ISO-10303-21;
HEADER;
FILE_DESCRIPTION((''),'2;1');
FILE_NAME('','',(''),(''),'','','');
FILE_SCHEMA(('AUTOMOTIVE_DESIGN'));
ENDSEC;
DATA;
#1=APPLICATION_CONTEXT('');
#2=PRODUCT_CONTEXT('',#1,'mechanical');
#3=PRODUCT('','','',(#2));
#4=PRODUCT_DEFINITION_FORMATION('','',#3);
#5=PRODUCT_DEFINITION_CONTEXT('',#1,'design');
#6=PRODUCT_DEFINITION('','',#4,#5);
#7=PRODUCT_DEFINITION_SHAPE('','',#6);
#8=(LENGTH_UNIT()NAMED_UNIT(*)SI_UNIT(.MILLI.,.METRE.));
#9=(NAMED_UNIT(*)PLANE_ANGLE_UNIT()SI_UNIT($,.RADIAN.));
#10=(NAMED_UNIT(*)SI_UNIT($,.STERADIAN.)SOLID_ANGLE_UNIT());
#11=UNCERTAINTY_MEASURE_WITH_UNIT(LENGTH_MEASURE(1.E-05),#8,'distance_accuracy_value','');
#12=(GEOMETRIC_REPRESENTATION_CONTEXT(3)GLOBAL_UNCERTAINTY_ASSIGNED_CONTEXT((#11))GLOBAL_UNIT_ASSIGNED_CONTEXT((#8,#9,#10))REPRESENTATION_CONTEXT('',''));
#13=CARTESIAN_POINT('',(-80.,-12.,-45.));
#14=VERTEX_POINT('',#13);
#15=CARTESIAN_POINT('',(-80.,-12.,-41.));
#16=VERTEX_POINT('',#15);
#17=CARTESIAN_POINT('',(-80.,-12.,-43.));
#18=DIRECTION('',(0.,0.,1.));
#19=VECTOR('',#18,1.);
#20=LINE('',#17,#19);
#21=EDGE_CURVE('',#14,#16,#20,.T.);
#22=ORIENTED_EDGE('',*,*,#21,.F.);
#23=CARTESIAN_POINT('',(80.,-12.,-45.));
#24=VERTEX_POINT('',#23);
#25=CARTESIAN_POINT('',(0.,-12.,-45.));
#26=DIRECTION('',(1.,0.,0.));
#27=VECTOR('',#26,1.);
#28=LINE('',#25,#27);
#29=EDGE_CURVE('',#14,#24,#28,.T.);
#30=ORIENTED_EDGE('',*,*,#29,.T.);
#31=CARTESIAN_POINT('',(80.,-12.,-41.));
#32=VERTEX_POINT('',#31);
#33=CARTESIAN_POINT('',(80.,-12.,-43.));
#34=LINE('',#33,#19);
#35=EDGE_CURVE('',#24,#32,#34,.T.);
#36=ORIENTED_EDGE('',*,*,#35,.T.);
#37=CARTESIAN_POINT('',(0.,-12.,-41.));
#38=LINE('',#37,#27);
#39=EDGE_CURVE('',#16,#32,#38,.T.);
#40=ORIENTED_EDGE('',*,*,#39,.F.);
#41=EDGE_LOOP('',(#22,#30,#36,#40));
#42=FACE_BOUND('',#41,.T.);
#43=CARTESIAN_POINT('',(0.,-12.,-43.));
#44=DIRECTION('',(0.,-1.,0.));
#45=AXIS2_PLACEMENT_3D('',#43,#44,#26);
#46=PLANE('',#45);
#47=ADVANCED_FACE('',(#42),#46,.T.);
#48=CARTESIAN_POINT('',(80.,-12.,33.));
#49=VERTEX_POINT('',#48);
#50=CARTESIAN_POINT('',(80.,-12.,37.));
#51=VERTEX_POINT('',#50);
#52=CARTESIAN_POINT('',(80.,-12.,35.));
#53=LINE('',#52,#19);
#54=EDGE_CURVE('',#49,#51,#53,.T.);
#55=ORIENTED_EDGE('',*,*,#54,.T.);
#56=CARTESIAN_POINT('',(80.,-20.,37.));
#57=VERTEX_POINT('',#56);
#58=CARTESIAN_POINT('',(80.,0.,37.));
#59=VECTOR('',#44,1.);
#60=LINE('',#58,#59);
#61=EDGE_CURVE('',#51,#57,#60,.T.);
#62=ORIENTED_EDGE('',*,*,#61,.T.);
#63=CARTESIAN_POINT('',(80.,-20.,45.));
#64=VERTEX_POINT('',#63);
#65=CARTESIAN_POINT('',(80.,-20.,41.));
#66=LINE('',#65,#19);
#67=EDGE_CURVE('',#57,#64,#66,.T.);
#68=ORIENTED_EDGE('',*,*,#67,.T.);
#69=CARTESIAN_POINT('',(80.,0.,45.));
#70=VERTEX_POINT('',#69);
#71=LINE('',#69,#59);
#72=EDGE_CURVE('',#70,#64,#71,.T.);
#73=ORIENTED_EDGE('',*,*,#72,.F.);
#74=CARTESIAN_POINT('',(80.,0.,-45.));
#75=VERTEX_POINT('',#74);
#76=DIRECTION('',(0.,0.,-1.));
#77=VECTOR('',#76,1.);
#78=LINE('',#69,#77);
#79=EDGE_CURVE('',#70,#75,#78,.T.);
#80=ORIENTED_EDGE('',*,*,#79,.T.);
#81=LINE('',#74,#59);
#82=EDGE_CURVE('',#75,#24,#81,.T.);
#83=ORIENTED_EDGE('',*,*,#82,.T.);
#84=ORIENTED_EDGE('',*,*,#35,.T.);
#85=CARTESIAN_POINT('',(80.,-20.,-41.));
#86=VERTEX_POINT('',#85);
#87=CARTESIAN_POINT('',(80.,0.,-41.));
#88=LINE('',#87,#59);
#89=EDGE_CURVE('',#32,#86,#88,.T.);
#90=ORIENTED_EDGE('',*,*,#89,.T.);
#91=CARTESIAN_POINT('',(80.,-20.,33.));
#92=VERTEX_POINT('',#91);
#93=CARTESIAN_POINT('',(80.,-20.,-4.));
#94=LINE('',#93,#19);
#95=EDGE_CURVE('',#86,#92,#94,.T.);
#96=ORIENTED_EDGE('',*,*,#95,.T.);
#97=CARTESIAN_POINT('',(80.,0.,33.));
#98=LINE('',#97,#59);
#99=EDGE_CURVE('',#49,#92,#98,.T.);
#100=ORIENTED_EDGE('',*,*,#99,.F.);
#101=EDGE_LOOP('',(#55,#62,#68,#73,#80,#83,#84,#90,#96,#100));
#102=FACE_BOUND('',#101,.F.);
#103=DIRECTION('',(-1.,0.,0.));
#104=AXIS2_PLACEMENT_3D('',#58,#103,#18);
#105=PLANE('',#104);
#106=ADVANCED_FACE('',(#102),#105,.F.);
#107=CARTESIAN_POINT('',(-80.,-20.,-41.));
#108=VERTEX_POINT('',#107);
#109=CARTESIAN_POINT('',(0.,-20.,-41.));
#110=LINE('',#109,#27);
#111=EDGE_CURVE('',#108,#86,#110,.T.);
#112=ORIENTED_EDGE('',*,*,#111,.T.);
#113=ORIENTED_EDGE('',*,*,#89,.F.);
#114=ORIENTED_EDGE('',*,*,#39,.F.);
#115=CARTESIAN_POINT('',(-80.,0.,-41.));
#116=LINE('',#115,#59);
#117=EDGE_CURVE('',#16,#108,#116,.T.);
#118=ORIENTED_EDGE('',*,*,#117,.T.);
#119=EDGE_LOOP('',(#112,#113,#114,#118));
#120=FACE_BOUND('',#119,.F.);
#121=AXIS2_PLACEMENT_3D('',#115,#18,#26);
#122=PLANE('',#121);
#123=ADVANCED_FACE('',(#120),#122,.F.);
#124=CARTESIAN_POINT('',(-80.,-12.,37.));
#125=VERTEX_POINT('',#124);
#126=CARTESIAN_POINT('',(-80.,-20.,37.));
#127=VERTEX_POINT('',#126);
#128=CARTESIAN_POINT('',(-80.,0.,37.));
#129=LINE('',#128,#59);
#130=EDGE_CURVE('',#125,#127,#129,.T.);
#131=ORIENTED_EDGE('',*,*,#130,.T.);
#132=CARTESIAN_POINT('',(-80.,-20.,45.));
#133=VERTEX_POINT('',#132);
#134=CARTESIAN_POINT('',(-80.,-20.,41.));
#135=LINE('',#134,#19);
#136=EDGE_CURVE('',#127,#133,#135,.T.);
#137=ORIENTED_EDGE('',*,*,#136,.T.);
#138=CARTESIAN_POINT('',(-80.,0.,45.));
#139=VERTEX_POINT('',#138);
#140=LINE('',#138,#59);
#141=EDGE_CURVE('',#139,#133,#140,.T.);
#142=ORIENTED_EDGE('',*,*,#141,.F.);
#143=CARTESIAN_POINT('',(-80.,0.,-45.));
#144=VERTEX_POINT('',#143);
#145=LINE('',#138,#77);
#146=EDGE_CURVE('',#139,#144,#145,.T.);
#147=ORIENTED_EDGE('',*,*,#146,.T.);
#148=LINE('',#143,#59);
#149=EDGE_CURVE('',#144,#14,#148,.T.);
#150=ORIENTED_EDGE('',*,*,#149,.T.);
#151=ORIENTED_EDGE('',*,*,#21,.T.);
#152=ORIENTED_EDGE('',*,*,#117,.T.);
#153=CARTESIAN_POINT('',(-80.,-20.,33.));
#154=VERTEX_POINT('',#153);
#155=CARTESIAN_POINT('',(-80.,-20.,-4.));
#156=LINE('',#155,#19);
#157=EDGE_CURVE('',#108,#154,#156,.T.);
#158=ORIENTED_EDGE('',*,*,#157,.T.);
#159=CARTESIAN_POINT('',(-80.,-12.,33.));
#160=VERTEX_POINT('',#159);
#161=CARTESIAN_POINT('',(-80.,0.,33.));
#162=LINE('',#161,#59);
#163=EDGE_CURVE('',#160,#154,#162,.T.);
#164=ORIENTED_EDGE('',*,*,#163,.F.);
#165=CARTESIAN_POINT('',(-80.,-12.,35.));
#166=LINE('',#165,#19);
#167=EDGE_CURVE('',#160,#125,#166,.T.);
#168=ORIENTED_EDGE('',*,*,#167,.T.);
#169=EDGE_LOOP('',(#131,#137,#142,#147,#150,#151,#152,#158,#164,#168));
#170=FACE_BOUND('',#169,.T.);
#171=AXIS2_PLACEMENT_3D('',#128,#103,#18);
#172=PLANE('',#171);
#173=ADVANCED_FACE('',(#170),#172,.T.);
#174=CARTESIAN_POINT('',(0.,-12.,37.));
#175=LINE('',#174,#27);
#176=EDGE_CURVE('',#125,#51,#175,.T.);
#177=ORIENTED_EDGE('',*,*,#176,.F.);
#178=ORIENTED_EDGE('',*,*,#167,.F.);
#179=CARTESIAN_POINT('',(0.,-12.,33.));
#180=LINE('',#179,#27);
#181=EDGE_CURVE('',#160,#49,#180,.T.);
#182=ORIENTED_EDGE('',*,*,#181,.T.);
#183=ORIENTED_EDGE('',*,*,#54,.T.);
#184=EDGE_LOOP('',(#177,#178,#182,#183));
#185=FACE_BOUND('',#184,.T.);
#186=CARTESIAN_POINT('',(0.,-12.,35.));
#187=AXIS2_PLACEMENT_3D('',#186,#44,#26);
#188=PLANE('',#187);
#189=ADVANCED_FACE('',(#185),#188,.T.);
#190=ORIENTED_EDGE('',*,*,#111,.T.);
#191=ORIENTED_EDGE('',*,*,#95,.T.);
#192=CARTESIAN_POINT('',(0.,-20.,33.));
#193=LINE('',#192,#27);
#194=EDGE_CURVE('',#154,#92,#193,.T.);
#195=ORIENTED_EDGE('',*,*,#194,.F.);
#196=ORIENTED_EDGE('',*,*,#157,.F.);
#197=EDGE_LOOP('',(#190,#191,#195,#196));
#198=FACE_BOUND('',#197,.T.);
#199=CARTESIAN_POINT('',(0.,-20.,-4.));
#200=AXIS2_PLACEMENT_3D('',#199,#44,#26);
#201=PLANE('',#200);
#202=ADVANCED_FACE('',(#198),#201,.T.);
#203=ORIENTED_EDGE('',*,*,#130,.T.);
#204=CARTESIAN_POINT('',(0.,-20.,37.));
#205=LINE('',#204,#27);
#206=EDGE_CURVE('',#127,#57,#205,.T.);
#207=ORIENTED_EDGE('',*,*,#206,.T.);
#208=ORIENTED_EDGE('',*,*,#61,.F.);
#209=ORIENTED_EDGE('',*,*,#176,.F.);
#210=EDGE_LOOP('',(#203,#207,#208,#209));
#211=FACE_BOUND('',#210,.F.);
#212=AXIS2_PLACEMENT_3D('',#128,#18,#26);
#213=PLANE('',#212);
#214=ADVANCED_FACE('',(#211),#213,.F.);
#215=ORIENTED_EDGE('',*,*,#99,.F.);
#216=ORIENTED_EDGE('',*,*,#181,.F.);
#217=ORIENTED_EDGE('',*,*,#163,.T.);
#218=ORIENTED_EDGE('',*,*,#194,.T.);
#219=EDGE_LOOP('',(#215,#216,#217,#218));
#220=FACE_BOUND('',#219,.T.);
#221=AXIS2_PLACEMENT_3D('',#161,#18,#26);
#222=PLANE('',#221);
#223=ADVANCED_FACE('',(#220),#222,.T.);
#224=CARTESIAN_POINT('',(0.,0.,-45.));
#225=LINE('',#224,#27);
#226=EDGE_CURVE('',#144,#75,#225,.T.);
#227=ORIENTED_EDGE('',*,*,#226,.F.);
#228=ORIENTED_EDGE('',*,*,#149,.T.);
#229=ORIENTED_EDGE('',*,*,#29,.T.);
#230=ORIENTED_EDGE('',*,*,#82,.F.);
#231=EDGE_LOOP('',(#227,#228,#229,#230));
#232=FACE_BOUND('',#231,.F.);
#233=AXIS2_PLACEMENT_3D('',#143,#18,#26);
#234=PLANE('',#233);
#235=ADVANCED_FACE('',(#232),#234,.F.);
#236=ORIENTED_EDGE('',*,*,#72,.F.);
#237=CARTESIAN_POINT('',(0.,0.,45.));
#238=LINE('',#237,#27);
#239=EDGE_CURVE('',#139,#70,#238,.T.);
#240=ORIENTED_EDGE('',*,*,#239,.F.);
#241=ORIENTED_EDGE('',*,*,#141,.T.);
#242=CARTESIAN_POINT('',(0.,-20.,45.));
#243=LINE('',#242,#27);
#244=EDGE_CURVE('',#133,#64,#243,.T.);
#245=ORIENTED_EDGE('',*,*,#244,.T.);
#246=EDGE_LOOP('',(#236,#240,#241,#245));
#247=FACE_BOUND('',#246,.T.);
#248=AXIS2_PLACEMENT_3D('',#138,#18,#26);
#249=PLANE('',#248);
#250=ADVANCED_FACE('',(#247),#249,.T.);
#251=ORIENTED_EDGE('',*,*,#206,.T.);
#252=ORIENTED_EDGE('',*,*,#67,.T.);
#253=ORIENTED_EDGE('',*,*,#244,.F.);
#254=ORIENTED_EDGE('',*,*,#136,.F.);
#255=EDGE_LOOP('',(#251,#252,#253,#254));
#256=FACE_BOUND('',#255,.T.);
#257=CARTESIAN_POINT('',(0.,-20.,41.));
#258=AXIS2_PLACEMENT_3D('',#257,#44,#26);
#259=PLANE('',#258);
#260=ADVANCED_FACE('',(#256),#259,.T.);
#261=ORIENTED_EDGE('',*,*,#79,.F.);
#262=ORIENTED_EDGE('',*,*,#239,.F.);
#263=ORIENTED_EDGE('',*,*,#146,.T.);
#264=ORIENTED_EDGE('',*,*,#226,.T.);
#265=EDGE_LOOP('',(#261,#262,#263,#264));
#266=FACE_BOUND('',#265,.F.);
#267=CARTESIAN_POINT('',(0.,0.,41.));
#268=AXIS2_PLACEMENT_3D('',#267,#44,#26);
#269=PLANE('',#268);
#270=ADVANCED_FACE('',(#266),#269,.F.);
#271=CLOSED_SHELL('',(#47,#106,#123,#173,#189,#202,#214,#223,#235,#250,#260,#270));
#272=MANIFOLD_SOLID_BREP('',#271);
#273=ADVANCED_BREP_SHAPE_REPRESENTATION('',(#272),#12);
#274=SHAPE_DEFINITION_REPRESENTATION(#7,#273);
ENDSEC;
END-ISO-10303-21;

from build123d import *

# Parameters (mm, degrees)
F0_W     = 160
F0_H     = 4
F1_DEPTH = 12
F0_H_2   = 8
F0_H_3   = 74
F2_DEPTH = 20


with BuildPart() as f1:
    # F0 (on Front) → F1 (new body)
    with BuildSketch(Plane.XZ):
        with Locations((0, -43)):
            Rectangle(F0_W, F0_H)
    extrude(amount=F1_DEPTH)



with BuildPart() as f1b:
    # F0 (on Front) → F1, piece 2 (new body)
    with BuildSketch(Plane.XZ):
        with Locations((0, 35)):
            Rectangle(F0_W, F0_H)
    extrude(amount=F1_DEPTH)


with BuildPart() as f1_1:
    add(f1.part)

    add(f1b.part)  # F2 merges F1b
    # F0 (on Front) → F2 (join)
    with BuildSketch(Plane.XZ):
        with Locations((0, 41)):
            Rectangle(F0_W, F0_H_2)
        with Locations((0, -4)):
            Rectangle(F0_W, F0_H_3)
    extrude(amount=F2_DEPTH)


solid = f1_1.part
